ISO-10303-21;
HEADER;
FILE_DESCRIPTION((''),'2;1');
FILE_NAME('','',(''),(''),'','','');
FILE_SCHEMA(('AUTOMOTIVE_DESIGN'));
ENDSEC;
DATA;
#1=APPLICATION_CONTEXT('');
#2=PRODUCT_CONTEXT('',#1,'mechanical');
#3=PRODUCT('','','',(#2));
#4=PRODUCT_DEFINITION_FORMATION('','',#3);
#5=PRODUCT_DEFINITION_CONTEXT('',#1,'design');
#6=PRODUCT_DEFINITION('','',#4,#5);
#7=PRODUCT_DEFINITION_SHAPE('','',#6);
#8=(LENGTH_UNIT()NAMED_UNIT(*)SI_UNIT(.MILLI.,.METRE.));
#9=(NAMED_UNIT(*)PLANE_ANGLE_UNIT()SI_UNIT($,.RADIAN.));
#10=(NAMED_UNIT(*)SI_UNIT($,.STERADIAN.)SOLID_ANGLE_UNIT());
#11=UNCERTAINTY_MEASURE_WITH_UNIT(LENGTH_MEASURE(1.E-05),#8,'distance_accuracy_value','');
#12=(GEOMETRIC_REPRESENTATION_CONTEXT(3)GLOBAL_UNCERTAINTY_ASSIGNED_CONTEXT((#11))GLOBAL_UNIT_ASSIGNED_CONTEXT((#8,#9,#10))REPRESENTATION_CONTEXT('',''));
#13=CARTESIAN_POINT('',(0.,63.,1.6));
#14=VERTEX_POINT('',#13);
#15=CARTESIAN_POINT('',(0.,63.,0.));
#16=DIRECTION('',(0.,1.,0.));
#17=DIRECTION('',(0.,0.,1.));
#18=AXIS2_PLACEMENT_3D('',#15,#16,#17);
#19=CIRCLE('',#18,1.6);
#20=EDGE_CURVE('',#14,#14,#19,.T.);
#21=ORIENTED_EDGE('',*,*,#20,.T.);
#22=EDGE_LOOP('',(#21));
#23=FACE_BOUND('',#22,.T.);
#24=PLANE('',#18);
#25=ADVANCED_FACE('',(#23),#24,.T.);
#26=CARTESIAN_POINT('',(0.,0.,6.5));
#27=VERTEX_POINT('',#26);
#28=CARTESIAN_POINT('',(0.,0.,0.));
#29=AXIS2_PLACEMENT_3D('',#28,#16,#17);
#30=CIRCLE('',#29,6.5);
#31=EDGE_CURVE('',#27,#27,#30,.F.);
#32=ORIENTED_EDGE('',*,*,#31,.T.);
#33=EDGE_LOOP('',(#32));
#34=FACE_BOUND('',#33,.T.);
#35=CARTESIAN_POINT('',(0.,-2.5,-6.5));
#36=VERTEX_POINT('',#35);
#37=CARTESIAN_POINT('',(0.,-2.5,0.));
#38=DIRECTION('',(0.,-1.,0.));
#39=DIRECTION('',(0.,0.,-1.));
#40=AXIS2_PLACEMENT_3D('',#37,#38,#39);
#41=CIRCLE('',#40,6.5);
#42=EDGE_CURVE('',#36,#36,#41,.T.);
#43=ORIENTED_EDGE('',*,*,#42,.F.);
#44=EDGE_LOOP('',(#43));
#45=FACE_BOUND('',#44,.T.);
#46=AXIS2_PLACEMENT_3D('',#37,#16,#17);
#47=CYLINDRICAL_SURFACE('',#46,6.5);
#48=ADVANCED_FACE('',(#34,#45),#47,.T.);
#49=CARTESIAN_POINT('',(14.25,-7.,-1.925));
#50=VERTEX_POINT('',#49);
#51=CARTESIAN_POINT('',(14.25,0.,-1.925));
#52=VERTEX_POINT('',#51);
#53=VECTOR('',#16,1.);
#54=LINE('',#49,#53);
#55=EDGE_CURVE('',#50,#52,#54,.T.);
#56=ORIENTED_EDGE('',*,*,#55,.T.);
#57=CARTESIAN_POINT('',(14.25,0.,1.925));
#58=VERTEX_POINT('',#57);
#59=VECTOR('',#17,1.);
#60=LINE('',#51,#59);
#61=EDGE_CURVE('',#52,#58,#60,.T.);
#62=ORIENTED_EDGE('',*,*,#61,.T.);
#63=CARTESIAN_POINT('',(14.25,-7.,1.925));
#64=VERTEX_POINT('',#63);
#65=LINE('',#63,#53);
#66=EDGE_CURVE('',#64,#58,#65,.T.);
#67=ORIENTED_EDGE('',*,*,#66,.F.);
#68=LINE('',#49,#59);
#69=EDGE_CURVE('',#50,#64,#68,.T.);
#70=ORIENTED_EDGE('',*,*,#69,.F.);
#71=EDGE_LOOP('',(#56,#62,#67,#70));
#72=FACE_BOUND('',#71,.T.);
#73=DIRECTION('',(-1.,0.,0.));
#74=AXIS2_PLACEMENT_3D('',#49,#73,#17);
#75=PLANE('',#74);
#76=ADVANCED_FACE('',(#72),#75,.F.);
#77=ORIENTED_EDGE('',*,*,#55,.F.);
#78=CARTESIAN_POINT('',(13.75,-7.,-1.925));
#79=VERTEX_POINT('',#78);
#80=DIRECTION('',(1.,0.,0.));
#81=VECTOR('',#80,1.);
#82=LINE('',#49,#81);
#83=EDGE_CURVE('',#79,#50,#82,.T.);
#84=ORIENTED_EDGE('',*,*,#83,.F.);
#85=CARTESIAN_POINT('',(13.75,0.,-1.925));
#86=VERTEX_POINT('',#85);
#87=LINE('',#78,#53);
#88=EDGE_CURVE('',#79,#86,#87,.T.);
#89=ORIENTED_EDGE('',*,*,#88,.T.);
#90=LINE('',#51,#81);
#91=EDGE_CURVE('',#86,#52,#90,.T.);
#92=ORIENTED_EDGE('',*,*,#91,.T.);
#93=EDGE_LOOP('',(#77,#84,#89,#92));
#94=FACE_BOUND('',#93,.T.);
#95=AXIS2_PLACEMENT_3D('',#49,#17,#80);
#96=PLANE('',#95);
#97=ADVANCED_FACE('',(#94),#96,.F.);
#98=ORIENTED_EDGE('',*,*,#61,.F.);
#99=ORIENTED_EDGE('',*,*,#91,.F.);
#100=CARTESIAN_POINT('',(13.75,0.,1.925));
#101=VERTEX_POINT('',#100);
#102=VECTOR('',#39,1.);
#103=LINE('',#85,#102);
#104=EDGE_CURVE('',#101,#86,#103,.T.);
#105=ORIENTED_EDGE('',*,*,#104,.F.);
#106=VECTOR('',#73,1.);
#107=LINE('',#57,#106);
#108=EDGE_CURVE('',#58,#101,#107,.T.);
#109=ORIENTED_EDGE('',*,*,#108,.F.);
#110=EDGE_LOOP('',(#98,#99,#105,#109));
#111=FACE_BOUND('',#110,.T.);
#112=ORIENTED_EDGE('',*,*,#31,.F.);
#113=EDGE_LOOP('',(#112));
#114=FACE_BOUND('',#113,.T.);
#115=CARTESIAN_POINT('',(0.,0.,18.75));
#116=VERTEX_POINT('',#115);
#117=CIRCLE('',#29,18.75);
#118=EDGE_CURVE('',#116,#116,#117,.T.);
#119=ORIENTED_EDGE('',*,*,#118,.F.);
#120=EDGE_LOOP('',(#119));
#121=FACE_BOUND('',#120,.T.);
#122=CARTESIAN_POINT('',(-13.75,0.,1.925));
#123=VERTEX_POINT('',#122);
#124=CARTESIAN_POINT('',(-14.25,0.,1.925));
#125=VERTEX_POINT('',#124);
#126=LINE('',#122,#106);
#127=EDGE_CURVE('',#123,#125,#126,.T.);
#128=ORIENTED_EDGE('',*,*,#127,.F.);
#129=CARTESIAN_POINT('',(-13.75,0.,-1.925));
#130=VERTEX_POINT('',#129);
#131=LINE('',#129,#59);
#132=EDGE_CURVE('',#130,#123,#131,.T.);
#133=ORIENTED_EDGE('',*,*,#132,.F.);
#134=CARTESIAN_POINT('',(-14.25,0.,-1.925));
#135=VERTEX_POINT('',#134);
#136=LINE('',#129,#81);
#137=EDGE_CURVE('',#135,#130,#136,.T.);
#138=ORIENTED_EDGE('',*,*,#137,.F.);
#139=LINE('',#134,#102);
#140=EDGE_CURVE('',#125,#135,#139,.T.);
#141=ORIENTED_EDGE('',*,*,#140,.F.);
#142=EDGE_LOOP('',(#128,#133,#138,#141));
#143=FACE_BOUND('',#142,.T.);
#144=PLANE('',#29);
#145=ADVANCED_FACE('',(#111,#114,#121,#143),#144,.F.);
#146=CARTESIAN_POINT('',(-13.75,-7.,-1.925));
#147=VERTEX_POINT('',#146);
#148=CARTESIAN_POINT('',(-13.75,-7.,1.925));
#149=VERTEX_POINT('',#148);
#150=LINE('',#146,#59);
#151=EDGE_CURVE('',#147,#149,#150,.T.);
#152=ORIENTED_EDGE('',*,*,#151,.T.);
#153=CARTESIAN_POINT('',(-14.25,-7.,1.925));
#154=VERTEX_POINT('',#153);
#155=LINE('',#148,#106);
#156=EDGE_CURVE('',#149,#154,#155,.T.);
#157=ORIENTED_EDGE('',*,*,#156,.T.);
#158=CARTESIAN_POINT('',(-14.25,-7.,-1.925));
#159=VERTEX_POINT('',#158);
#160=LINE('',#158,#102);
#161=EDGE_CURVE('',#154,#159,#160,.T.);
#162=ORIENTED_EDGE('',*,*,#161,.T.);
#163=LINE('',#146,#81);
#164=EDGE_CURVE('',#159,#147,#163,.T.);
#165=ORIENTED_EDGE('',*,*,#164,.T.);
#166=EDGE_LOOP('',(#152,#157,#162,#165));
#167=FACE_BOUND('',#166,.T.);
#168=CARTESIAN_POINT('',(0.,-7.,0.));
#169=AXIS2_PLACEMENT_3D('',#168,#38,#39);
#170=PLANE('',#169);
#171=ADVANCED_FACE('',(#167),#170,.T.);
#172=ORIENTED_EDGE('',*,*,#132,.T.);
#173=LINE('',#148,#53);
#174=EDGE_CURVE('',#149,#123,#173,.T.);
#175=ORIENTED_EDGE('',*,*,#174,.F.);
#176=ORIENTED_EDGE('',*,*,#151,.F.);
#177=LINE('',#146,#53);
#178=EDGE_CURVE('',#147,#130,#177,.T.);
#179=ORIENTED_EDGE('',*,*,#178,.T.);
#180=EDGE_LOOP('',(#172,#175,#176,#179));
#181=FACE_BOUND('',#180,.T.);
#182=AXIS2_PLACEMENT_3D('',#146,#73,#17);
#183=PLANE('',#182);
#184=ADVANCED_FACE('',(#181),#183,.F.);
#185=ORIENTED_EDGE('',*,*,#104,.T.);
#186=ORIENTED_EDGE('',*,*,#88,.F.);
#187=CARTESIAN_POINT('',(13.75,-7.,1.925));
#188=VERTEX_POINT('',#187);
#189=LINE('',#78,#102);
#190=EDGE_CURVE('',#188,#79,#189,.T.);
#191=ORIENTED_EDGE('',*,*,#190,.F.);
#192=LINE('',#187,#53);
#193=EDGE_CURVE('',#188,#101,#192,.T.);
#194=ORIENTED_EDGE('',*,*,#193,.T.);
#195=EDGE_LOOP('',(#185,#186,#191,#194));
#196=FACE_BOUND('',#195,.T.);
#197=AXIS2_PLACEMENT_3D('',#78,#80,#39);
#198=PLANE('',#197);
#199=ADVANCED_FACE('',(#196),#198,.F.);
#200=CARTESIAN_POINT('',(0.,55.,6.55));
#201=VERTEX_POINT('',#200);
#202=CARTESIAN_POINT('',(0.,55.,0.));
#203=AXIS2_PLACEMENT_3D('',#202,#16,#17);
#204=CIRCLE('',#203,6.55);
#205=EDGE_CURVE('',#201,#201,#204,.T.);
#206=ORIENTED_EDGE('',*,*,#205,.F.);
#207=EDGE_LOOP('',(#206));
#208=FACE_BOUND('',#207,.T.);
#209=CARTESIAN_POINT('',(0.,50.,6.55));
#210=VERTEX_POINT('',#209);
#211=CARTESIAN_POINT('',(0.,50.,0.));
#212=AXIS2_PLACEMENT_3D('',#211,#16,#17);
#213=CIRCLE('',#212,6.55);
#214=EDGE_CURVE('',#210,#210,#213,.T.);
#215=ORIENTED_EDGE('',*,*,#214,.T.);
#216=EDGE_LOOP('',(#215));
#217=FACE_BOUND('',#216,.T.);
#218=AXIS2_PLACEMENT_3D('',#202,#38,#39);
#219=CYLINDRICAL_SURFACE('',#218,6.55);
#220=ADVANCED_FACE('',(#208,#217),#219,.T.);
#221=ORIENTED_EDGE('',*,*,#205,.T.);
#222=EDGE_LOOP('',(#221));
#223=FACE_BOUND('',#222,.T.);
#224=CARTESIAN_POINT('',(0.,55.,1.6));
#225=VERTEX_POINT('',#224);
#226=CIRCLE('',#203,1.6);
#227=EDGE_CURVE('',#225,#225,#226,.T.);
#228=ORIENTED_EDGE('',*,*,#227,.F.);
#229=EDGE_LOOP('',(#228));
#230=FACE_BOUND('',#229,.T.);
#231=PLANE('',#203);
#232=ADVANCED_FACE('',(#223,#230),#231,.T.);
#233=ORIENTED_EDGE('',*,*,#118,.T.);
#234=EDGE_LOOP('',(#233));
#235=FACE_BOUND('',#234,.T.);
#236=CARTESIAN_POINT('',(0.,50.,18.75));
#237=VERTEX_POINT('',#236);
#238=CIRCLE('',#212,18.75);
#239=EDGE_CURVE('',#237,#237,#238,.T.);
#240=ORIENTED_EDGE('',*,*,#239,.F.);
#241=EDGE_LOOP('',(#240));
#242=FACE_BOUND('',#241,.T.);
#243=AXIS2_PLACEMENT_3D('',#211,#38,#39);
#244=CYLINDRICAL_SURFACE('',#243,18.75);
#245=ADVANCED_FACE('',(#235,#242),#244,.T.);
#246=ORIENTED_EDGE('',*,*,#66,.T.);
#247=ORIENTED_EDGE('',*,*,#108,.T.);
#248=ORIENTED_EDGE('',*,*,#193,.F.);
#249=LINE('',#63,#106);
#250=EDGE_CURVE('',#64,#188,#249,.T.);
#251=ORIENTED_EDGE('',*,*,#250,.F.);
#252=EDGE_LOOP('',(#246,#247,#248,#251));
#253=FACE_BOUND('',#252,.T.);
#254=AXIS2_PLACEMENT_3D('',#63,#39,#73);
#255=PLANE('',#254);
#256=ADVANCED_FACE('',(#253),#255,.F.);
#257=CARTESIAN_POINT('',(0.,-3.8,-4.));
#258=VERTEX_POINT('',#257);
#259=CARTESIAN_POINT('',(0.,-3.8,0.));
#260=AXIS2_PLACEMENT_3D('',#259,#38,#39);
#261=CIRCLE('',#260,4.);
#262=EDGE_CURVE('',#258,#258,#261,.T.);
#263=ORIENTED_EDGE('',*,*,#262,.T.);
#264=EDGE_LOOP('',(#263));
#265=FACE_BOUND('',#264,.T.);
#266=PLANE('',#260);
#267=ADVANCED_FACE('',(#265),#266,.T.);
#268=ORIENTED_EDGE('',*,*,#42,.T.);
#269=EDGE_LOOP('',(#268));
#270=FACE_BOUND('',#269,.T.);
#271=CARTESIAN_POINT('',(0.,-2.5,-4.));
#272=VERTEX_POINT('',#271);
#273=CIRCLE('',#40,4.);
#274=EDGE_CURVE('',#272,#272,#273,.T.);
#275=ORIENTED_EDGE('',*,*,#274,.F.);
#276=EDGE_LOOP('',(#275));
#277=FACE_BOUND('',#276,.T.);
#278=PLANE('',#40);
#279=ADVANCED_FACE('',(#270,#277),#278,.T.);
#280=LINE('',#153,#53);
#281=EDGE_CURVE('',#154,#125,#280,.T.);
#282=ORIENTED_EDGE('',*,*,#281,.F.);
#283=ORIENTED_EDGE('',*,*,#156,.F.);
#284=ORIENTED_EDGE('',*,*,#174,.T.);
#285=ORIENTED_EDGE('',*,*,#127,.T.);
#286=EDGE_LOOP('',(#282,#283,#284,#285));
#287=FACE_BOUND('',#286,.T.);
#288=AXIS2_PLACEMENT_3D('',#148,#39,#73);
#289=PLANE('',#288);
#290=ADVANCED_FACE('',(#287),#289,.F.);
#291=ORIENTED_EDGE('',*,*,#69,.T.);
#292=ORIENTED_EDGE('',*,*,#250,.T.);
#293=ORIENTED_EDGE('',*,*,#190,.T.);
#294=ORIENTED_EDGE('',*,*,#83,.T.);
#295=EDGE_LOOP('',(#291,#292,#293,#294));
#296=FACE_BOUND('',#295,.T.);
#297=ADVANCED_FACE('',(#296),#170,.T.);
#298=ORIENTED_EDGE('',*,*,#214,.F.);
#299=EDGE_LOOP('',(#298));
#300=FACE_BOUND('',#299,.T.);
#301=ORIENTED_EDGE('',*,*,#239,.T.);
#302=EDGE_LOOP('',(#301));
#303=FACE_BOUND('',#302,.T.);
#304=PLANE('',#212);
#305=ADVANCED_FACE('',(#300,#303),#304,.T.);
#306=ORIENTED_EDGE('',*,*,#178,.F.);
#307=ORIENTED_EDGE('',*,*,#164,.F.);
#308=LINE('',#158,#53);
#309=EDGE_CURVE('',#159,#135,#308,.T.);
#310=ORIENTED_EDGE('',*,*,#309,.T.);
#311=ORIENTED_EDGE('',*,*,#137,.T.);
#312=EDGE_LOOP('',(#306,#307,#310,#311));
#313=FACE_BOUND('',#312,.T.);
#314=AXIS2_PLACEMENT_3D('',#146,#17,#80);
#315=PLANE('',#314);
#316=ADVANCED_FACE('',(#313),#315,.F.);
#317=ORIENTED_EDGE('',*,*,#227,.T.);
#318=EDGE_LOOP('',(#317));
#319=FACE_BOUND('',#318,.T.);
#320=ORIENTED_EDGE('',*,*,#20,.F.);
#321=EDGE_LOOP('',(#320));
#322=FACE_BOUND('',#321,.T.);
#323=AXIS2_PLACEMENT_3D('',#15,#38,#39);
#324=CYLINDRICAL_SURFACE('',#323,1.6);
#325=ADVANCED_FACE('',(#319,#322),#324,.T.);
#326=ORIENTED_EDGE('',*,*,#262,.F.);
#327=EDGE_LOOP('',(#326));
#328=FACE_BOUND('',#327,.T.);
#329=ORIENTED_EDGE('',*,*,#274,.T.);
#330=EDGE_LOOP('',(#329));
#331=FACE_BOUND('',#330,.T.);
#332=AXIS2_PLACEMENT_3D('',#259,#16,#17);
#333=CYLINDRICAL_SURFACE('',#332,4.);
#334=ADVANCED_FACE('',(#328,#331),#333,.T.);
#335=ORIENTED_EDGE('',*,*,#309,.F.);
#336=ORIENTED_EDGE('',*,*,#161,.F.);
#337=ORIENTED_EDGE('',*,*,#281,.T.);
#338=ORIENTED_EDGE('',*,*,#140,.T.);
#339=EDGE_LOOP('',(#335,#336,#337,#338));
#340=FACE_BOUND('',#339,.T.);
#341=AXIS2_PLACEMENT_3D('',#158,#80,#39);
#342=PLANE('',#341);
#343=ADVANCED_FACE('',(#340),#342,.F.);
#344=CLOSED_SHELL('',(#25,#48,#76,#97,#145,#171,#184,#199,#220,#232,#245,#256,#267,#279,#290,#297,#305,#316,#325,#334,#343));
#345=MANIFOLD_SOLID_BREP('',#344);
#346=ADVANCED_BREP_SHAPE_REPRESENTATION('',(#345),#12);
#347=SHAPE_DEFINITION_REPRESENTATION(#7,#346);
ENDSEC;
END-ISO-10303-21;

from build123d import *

# Parameters (mm, degrees)
SKETCH1_R           = 18.75
BOSS_EXTRUDE1_DEPTH = 50
SKETCH2_R           = 6.55
BOSS_EXTRUDE2_DEPTH = 5
SKETCH3_R           = 1.6
BOSS_EXTRUDE3_DEPTH = 8
SKETCH4_R           = 6.5
BOSS_EXTRUDE4_DEPTH = 2.5
SKETCH5_R           = 4
BOSS_EXTRUDE5_DEPTH = 1.3
SKETCH6_W           = 0.5
SKETCH6_H           = 3.85
BOSS_EXTRUDE6_DEPTH = 7


with BuildPart() as part:
    # Sketch1 → Boss-Extrude1 (new body)
    with BuildSketch(Plane(origin=(0, 0, 0), x_dir=(1, 0, 0), z_dir=(0, 1, 0))):
        with Locations(Location((0, 0, 0), (0, 0, 270))):
            Circle(SKETCH1_R)
    extrude(amount=BOSS_EXTRUDE1_DEPTH)

    # Sketch2 → Boss-Extrude2 (add)
    with BuildSketch(Plane(origin=(0, 50, 0), x_dir=(1, 0, 0), z_dir=(0, 1, 0))):
        with Locations(Location((0, 0, 0), (0, 0, 270))):
            Circle(SKETCH2_R)
    extrude(amount=BOSS_EXTRUDE2_DEPTH)

    # Sketch3 → Boss-Extrude3 (add)
    with BuildSketch(Plane(origin=(0, 55, 0), x_dir=(1, 0, 0), z_dir=(0, 1, 0))):
        with Locations(Location((0, 0, 0), (0, 0, 270))):
            Circle(SKETCH3_R)
    extrude(amount=BOSS_EXTRUDE3_DEPTH)

    # Sketch4 → Boss-Extrude4 (add)
    with BuildSketch(Plane.XZ):
        with Locations(Location((0, 0, 0), (0, 0, 90))):
            Circle(SKETCH4_R)
    extrude(amount=BOSS_EXTRUDE4_DEPTH)

    # Sketch5 → Boss-Extrude5 (add)
    with BuildSketch(Plane.XZ.offset(2.5)):
        with Locations(Location((0, 0, 0), (0, 0, 270))):
            Circle(SKETCH5_R)
    extrude(amount=BOSS_EXTRUDE5_DEPTH)

    # Sketch6 → Boss-Extrude6 (add)
    with BuildSketch(Plane.XZ):
        with Locations((-14, 0)):
            Rectangle(SKETCH6_W, SKETCH6_H)
        with Locations((14, 0)):
            Rectangle(SKETCH6_W, SKETCH6_H)
    extrude(amount=BOSS_EXTRUDE6_DEPTH)


solid = part.part
